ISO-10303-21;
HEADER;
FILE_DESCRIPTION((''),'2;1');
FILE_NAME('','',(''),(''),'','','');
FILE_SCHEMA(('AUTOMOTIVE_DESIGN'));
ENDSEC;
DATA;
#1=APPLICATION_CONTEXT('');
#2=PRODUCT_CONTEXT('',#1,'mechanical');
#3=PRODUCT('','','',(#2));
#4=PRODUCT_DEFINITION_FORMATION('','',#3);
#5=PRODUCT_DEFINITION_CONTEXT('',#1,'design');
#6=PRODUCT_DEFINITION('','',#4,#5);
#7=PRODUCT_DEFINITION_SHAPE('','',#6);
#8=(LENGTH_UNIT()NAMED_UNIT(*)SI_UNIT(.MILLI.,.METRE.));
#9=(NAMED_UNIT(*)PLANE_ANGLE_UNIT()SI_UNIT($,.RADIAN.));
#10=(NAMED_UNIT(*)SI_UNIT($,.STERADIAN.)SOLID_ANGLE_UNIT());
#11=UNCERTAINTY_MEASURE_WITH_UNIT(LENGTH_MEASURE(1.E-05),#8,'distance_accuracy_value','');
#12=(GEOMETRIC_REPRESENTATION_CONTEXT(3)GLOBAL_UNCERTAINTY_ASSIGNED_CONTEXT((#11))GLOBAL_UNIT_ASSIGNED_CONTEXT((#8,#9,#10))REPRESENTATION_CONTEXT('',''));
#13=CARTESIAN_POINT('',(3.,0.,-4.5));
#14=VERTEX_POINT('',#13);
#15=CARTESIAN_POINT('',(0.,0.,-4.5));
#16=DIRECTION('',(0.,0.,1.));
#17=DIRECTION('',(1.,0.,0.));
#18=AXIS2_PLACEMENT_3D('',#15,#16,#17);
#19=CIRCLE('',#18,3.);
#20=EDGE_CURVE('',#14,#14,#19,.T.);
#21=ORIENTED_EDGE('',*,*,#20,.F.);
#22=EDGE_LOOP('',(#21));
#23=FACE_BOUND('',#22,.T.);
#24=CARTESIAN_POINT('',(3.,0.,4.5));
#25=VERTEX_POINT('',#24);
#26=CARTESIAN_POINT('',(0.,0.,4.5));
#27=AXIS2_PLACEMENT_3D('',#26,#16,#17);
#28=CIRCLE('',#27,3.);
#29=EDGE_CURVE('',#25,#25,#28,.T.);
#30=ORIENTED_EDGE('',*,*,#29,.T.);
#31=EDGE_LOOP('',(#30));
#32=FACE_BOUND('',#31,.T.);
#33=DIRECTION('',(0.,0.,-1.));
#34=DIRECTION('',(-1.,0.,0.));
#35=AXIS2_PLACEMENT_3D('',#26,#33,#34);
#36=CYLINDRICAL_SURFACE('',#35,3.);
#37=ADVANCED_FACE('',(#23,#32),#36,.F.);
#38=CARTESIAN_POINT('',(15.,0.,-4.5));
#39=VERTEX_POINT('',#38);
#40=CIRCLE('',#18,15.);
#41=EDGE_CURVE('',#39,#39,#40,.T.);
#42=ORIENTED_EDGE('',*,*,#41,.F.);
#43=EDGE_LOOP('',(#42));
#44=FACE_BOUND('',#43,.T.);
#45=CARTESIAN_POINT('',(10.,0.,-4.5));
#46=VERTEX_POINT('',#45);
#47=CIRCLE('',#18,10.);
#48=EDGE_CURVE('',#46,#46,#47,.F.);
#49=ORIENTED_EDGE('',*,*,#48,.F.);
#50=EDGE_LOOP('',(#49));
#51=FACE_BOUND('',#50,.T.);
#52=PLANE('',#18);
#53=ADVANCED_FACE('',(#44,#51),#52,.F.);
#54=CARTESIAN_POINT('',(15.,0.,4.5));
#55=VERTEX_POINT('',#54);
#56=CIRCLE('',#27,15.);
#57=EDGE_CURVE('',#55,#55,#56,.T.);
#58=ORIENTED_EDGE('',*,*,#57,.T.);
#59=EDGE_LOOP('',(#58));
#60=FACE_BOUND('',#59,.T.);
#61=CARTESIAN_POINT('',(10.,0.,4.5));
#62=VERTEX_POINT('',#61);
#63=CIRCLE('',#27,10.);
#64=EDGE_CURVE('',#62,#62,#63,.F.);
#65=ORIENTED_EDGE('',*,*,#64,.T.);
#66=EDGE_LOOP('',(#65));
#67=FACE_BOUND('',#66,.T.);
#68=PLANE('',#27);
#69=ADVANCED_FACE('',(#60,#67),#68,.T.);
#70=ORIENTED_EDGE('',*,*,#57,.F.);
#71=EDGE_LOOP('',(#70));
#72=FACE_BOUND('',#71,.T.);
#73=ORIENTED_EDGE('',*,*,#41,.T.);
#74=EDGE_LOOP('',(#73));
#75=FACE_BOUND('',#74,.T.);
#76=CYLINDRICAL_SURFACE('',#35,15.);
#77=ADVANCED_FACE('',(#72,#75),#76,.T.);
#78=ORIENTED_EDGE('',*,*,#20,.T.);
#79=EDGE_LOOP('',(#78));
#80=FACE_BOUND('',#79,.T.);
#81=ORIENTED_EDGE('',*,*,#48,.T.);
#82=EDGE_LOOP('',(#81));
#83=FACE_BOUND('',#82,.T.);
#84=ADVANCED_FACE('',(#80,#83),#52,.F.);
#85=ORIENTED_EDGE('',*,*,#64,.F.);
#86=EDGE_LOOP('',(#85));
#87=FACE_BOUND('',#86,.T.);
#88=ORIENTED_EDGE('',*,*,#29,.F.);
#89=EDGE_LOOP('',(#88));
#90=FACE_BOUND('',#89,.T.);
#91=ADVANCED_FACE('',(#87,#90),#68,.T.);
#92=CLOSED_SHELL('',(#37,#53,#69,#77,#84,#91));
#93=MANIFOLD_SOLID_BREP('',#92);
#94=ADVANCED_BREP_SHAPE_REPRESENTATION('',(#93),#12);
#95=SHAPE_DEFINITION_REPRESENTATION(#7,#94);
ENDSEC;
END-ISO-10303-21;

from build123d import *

# Parameters (mm, degrees)
SKETCH_1_R      = 15
SKETCH_1_R_2    = 3
EXTRUDE_1_DEPTH = 4.5


with BuildPart() as part:
    # 草图1 → 凸台-拉伸1 (new body, symmetric)
    with BuildSketch(Plane.XY):
        Circle(SKETCH_1_R)
        Circle(SKETCH_1_R_2, mode=Mode.SUBTRACT)
    extrude(amount=EXTRUDE_1_DEPTH, both=True)


solid = part.part
